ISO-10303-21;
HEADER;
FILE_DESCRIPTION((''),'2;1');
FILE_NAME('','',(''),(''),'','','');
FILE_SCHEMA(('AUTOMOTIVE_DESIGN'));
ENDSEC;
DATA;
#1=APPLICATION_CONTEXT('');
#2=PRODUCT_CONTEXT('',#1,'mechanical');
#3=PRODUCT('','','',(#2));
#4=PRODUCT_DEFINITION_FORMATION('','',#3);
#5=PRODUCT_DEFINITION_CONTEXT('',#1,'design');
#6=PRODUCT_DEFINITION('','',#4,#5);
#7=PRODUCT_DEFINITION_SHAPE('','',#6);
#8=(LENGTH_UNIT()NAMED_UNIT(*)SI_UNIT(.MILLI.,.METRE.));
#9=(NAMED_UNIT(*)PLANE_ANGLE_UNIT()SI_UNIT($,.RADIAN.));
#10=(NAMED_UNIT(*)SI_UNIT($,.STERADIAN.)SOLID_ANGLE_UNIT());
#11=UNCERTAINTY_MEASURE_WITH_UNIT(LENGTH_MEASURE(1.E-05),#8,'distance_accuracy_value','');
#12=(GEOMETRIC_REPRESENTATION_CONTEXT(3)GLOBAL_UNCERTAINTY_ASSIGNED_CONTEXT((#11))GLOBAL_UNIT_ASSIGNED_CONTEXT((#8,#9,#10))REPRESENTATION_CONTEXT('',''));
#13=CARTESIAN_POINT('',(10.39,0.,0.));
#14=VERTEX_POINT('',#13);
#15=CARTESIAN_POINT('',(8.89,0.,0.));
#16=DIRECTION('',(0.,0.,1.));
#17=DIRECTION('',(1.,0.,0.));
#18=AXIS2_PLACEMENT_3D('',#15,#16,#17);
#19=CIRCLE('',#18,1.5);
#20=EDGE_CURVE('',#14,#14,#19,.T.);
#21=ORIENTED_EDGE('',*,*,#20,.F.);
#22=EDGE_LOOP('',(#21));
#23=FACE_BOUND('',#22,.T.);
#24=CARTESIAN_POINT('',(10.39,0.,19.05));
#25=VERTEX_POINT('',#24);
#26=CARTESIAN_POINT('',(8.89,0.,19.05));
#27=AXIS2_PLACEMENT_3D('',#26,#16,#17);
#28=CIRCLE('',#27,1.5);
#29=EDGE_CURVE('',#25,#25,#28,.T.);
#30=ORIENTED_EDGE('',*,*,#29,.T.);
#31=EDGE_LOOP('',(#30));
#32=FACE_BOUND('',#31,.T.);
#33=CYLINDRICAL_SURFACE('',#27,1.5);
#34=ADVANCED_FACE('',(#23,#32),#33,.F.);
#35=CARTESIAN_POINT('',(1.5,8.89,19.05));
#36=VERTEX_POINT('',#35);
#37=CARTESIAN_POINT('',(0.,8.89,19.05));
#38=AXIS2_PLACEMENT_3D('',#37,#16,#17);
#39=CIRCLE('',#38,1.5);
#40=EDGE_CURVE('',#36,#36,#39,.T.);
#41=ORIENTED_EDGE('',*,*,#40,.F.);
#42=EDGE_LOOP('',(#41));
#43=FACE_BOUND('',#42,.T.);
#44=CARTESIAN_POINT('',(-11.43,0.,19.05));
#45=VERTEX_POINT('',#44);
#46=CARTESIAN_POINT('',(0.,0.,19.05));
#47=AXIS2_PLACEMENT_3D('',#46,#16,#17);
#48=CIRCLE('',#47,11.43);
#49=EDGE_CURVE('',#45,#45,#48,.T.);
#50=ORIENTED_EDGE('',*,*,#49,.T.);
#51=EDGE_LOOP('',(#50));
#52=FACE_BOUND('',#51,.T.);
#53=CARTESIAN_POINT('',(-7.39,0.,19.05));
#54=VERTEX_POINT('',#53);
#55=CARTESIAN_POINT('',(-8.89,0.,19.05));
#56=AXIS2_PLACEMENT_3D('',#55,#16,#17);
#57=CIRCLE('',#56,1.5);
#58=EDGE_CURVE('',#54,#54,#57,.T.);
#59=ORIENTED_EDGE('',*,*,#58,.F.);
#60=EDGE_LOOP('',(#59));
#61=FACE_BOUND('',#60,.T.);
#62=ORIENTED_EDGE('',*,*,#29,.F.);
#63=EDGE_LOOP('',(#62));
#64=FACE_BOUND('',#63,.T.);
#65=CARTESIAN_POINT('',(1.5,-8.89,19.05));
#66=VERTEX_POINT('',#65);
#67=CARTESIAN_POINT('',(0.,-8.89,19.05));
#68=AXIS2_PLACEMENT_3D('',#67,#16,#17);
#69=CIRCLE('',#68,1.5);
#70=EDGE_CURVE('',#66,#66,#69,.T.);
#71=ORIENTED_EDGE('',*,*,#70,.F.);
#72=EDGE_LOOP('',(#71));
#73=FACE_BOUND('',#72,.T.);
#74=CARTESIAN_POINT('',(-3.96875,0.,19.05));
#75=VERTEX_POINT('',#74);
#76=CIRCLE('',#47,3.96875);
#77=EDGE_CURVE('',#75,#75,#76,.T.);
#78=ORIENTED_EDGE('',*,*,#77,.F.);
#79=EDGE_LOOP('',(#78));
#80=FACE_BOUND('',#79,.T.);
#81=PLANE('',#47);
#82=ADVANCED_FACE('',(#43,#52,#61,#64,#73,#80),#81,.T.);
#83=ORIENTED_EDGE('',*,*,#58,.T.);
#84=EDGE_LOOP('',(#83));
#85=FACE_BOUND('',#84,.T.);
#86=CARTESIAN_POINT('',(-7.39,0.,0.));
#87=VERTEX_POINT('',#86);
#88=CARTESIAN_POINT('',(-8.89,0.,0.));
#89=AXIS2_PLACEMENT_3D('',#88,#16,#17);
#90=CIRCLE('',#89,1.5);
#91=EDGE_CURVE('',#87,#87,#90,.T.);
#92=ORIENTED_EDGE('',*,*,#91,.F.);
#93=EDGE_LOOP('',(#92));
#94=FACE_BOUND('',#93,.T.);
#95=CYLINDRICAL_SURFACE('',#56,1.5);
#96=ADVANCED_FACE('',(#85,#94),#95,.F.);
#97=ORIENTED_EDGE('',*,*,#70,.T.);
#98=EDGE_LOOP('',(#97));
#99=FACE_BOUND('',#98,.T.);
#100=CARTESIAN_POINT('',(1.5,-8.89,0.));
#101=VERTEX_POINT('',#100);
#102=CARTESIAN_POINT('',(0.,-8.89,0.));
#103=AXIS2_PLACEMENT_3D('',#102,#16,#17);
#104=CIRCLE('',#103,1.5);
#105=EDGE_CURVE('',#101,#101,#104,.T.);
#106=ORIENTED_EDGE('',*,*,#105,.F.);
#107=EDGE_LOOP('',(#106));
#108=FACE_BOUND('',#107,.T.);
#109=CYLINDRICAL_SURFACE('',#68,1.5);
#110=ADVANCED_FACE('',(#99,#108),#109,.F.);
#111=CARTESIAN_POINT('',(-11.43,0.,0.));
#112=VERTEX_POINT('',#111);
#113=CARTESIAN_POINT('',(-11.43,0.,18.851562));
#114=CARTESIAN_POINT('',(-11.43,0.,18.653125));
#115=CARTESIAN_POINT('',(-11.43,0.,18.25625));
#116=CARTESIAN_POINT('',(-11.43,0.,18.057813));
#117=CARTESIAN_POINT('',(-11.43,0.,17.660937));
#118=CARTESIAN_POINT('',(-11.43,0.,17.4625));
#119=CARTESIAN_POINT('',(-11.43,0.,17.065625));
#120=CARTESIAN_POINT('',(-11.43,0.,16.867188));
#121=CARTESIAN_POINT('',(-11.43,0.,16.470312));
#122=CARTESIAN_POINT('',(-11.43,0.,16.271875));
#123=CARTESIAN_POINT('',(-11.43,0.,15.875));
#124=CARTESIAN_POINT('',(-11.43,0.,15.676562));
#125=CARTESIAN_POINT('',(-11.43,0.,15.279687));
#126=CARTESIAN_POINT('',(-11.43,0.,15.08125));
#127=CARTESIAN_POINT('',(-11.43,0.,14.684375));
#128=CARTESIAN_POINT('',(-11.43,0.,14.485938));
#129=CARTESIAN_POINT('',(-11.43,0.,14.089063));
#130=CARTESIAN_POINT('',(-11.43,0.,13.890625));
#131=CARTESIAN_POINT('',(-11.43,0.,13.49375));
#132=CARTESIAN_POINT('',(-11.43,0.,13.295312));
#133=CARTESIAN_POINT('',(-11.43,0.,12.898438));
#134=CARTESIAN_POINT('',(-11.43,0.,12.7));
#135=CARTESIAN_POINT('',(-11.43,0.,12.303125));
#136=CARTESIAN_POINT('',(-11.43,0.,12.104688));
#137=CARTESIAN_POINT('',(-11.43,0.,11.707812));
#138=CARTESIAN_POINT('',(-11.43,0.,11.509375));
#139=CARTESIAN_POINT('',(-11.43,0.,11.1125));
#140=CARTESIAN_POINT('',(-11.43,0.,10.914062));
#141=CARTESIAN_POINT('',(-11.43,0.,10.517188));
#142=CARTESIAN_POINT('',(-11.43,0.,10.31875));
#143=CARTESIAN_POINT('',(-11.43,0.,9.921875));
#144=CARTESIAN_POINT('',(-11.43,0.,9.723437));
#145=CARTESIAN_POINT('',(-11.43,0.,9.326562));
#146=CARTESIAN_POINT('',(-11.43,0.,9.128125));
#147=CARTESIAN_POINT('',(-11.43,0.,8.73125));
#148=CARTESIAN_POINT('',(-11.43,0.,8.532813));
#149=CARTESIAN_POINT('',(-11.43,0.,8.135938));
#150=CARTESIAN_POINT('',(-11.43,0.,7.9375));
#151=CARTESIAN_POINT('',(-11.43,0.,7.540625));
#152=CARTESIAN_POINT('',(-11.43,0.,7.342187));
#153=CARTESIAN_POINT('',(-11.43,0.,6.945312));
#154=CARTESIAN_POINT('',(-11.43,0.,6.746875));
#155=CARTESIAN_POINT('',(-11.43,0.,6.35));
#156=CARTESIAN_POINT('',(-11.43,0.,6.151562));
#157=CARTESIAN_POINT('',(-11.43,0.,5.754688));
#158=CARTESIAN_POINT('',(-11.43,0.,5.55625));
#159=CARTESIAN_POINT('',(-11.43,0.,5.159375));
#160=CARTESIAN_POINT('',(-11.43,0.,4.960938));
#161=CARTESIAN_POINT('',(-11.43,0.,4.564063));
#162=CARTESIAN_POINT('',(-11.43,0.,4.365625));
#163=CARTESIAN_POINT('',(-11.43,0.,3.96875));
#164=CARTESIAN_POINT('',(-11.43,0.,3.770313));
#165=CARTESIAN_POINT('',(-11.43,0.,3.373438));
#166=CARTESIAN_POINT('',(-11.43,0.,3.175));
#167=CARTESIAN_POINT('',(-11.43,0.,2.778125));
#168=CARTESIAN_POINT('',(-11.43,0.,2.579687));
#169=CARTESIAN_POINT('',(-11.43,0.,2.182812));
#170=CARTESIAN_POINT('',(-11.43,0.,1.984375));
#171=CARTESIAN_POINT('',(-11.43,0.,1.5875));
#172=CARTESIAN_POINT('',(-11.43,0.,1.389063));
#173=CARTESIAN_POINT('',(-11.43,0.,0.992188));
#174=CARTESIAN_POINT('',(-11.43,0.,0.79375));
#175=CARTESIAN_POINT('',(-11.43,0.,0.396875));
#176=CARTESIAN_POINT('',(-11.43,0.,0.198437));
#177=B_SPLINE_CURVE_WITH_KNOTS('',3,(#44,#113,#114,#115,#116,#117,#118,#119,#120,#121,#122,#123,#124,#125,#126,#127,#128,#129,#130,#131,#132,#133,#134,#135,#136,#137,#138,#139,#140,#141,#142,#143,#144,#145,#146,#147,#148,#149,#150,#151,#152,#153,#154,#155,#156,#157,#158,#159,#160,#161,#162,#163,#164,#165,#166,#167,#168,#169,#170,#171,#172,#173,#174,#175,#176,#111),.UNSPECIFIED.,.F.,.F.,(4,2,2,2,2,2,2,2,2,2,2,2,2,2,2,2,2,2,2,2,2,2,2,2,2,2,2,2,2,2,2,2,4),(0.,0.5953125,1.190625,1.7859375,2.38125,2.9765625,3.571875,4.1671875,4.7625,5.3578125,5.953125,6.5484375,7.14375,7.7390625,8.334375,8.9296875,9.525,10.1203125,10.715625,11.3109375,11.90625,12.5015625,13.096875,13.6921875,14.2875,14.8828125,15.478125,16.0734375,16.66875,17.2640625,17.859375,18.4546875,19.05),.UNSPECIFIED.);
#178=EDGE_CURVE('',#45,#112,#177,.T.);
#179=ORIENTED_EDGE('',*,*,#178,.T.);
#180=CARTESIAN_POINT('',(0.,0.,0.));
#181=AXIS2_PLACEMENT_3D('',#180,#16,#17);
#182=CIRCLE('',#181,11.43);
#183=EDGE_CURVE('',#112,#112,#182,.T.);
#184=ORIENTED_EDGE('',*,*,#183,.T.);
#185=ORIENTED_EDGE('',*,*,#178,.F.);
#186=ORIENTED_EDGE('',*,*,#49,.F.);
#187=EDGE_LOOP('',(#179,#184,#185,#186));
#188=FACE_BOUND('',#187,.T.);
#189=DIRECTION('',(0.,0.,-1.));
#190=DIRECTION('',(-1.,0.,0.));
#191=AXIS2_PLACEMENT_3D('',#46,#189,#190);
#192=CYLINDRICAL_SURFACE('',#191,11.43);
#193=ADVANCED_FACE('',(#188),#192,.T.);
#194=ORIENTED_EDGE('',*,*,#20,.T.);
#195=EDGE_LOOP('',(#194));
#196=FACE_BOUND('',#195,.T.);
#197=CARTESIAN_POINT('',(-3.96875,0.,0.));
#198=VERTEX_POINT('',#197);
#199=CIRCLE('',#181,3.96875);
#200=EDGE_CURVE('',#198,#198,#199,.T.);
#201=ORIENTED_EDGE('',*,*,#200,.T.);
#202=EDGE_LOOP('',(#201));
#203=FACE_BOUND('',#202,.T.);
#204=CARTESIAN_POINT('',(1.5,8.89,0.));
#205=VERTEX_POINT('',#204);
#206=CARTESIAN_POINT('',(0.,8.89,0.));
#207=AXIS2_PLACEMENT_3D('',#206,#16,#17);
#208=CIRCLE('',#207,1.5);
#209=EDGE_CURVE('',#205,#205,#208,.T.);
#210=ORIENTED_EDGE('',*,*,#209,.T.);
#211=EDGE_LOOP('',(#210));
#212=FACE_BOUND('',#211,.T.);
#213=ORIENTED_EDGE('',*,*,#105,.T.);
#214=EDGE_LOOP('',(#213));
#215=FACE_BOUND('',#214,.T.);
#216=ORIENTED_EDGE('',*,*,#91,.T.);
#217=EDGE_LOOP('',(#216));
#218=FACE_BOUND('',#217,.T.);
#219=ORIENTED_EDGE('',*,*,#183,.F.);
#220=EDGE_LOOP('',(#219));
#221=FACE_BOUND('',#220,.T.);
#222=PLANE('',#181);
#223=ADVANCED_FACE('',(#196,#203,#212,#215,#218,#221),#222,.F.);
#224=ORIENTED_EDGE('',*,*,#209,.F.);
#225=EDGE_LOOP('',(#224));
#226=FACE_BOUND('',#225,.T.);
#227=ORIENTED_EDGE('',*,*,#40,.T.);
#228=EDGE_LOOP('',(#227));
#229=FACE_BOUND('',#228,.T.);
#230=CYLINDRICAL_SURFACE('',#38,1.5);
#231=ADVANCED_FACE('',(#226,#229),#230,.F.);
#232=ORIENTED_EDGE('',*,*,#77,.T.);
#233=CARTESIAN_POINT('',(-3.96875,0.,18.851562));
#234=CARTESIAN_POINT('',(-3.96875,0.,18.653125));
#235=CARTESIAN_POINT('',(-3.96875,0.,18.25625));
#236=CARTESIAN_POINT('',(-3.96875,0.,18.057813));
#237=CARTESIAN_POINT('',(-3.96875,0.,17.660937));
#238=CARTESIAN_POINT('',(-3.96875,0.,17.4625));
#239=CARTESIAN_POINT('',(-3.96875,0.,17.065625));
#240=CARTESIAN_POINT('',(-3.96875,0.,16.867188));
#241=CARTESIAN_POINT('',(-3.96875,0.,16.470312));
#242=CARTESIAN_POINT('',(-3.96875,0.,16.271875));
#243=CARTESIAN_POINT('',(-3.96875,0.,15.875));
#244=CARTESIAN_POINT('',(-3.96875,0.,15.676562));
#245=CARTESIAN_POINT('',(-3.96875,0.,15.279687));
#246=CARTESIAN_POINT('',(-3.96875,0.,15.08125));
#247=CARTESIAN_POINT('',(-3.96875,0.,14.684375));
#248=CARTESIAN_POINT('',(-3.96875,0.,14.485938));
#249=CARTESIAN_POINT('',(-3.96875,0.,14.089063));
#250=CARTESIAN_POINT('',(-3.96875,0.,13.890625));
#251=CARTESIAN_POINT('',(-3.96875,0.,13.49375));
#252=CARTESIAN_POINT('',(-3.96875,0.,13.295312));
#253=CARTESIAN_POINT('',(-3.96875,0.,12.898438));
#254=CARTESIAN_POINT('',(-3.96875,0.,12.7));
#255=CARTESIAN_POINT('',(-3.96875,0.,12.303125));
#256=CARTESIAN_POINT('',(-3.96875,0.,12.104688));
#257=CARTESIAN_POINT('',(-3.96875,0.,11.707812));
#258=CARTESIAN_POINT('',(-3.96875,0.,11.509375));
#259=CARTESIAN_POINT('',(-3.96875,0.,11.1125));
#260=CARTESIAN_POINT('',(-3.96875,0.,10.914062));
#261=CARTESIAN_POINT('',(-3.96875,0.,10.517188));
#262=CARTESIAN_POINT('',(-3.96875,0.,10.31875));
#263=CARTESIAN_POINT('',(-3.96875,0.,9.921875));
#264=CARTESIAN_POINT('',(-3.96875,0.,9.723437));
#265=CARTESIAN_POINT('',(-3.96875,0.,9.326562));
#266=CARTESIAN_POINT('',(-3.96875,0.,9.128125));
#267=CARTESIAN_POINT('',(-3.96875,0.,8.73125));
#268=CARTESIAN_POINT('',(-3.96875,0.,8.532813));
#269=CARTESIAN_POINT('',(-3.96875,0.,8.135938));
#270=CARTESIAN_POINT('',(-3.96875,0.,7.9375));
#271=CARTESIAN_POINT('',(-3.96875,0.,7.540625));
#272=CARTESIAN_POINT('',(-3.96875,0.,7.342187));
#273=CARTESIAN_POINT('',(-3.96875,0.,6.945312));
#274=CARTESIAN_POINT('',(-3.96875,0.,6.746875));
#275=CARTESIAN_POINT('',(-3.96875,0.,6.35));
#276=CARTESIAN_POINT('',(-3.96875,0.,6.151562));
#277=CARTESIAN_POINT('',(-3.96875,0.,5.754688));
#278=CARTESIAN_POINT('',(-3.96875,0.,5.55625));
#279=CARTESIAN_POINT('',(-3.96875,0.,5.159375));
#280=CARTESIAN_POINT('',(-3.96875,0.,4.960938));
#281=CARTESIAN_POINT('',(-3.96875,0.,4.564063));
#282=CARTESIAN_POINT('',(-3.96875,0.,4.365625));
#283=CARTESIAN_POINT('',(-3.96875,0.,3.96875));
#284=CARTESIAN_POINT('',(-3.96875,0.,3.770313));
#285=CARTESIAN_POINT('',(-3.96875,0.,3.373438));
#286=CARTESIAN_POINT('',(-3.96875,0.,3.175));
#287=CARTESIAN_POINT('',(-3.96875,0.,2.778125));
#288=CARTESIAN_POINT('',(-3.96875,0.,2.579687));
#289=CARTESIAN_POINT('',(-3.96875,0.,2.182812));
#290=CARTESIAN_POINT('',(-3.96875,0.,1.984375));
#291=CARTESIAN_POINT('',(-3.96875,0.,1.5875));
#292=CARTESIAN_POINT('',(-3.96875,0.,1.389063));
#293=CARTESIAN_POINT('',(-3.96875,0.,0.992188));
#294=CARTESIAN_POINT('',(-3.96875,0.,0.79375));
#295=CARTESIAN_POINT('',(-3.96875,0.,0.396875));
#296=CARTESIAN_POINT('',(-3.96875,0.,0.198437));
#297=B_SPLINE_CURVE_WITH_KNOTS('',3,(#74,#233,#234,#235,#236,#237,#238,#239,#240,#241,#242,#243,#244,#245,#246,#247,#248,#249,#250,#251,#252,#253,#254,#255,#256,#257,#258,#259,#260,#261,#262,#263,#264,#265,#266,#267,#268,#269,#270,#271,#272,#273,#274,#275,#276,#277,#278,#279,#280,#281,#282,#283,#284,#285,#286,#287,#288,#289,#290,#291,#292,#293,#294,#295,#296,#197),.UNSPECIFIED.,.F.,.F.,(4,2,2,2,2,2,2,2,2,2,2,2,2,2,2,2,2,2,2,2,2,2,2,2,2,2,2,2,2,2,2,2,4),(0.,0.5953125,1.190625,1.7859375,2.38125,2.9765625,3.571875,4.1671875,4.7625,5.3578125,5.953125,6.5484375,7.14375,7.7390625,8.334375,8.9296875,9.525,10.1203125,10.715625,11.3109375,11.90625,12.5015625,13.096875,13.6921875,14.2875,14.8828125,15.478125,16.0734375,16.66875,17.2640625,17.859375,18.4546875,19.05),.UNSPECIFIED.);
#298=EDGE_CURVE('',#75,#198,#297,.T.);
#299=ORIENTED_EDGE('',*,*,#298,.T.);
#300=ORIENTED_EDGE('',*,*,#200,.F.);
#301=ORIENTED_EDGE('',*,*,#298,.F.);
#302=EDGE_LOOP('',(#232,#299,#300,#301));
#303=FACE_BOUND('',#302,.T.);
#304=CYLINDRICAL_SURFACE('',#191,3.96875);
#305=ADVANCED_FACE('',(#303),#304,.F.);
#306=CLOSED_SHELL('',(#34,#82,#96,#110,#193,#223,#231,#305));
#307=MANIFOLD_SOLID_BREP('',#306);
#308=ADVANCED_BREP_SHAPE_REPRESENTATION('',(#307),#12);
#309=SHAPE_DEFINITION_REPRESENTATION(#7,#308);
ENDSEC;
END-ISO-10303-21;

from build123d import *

# Parameters (mm, degrees)
SKETCH1_R             = 11.43
SKETCH1_R_2           = 3.96875
BOSS_EXTRUDE1_DEPTH   = 19.05
F_3_0MM_DOWEL_HOLE1_D = 3
CIRPATTERN1_COUNT     = 4


with BuildPart() as part:
    # Sketch1 → Boss-Extrude1 (new body)
    with BuildSketch(Plane.XY):
        with Locations(Location((0, 0, 0), (0, 0, 180))):
            Circle(SKETCH1_R)
        with Locations(Location((0, 0, 0), (0, 0, 180))):
            Circle(SKETCH1_R_2, mode=Mode.SUBTRACT)
    extrude(amount=BOSS_EXTRUDE1_DEPTH)

    # Ø3.0mm Dowel Hole1 (through all)
    with Locations(Plane.XY.offset(19.05)):
        with Locations((0, 8.89)):
            f_3_0mm_dowel_hole1 = Hole(F_3_0MM_DOWEL_HOLE1_D / 2)

    # CirPattern1: Ø3.0mm Dowel Hole1 ×4 about axis
    cirpattern1_axis = Axis((0, 0, 0), (0, 0, 1))
    for i in range(1, CIRPATTERN1_COUNT):
        add(f_3_0mm_dowel_hole1.rotate(cirpattern1_axis, i * 360 / CIRPATTERN1_COUNT), mode=Mode.SUBTRACT)


solid = part.part
